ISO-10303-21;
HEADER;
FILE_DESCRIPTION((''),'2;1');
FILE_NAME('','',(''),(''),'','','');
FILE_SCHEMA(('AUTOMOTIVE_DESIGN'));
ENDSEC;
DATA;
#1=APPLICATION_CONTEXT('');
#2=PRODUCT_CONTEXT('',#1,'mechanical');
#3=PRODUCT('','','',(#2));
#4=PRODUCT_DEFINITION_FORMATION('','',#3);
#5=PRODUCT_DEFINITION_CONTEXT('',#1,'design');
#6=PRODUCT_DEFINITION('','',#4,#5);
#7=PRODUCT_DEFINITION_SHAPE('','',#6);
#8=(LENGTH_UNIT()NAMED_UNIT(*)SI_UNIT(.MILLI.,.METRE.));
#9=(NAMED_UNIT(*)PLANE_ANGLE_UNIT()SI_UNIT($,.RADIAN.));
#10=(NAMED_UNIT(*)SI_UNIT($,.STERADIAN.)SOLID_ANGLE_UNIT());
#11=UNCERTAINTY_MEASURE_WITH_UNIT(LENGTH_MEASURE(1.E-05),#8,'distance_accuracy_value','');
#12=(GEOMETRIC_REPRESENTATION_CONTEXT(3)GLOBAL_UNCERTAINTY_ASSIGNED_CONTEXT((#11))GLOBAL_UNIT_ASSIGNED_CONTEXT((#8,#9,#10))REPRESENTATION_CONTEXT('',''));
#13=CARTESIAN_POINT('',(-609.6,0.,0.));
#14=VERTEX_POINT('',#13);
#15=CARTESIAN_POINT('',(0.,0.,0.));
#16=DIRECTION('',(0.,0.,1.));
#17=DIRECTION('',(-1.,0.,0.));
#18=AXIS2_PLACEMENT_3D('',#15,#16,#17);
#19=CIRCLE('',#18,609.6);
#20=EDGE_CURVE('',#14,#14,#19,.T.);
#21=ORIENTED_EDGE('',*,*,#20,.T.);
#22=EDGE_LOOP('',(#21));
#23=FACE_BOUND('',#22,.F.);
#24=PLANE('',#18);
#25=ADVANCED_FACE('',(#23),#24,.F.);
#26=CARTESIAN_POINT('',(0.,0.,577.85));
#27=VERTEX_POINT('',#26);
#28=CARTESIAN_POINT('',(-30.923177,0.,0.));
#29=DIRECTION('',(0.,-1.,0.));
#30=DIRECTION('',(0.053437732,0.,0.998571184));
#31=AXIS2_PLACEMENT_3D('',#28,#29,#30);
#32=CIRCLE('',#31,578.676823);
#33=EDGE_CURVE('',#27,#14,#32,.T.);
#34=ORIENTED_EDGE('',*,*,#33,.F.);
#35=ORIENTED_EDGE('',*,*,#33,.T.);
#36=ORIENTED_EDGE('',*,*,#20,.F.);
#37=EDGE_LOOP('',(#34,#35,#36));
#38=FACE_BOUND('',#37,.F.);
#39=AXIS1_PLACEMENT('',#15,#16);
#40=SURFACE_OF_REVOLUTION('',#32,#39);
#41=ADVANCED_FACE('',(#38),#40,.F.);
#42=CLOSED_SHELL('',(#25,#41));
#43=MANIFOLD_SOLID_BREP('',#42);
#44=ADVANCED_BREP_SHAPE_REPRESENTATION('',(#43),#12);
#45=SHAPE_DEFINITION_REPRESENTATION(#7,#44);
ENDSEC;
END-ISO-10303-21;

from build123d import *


with BuildPart() as part:
    # Sketch → Revolution (revolve)
    with BuildSketch(Plane.XZ):
        with BuildLine():
            ThreePointArc((0, 577.85), (-429.026392, 419.977018), (-609.6, 0))
            Line((-609.6, 0), (0, 0))
            Line((0, 577.85), (0, 0))
        make_face()
    revolve(axis=Axis((0, 0, 0), (0, 0, 1)))


solid = part.part
